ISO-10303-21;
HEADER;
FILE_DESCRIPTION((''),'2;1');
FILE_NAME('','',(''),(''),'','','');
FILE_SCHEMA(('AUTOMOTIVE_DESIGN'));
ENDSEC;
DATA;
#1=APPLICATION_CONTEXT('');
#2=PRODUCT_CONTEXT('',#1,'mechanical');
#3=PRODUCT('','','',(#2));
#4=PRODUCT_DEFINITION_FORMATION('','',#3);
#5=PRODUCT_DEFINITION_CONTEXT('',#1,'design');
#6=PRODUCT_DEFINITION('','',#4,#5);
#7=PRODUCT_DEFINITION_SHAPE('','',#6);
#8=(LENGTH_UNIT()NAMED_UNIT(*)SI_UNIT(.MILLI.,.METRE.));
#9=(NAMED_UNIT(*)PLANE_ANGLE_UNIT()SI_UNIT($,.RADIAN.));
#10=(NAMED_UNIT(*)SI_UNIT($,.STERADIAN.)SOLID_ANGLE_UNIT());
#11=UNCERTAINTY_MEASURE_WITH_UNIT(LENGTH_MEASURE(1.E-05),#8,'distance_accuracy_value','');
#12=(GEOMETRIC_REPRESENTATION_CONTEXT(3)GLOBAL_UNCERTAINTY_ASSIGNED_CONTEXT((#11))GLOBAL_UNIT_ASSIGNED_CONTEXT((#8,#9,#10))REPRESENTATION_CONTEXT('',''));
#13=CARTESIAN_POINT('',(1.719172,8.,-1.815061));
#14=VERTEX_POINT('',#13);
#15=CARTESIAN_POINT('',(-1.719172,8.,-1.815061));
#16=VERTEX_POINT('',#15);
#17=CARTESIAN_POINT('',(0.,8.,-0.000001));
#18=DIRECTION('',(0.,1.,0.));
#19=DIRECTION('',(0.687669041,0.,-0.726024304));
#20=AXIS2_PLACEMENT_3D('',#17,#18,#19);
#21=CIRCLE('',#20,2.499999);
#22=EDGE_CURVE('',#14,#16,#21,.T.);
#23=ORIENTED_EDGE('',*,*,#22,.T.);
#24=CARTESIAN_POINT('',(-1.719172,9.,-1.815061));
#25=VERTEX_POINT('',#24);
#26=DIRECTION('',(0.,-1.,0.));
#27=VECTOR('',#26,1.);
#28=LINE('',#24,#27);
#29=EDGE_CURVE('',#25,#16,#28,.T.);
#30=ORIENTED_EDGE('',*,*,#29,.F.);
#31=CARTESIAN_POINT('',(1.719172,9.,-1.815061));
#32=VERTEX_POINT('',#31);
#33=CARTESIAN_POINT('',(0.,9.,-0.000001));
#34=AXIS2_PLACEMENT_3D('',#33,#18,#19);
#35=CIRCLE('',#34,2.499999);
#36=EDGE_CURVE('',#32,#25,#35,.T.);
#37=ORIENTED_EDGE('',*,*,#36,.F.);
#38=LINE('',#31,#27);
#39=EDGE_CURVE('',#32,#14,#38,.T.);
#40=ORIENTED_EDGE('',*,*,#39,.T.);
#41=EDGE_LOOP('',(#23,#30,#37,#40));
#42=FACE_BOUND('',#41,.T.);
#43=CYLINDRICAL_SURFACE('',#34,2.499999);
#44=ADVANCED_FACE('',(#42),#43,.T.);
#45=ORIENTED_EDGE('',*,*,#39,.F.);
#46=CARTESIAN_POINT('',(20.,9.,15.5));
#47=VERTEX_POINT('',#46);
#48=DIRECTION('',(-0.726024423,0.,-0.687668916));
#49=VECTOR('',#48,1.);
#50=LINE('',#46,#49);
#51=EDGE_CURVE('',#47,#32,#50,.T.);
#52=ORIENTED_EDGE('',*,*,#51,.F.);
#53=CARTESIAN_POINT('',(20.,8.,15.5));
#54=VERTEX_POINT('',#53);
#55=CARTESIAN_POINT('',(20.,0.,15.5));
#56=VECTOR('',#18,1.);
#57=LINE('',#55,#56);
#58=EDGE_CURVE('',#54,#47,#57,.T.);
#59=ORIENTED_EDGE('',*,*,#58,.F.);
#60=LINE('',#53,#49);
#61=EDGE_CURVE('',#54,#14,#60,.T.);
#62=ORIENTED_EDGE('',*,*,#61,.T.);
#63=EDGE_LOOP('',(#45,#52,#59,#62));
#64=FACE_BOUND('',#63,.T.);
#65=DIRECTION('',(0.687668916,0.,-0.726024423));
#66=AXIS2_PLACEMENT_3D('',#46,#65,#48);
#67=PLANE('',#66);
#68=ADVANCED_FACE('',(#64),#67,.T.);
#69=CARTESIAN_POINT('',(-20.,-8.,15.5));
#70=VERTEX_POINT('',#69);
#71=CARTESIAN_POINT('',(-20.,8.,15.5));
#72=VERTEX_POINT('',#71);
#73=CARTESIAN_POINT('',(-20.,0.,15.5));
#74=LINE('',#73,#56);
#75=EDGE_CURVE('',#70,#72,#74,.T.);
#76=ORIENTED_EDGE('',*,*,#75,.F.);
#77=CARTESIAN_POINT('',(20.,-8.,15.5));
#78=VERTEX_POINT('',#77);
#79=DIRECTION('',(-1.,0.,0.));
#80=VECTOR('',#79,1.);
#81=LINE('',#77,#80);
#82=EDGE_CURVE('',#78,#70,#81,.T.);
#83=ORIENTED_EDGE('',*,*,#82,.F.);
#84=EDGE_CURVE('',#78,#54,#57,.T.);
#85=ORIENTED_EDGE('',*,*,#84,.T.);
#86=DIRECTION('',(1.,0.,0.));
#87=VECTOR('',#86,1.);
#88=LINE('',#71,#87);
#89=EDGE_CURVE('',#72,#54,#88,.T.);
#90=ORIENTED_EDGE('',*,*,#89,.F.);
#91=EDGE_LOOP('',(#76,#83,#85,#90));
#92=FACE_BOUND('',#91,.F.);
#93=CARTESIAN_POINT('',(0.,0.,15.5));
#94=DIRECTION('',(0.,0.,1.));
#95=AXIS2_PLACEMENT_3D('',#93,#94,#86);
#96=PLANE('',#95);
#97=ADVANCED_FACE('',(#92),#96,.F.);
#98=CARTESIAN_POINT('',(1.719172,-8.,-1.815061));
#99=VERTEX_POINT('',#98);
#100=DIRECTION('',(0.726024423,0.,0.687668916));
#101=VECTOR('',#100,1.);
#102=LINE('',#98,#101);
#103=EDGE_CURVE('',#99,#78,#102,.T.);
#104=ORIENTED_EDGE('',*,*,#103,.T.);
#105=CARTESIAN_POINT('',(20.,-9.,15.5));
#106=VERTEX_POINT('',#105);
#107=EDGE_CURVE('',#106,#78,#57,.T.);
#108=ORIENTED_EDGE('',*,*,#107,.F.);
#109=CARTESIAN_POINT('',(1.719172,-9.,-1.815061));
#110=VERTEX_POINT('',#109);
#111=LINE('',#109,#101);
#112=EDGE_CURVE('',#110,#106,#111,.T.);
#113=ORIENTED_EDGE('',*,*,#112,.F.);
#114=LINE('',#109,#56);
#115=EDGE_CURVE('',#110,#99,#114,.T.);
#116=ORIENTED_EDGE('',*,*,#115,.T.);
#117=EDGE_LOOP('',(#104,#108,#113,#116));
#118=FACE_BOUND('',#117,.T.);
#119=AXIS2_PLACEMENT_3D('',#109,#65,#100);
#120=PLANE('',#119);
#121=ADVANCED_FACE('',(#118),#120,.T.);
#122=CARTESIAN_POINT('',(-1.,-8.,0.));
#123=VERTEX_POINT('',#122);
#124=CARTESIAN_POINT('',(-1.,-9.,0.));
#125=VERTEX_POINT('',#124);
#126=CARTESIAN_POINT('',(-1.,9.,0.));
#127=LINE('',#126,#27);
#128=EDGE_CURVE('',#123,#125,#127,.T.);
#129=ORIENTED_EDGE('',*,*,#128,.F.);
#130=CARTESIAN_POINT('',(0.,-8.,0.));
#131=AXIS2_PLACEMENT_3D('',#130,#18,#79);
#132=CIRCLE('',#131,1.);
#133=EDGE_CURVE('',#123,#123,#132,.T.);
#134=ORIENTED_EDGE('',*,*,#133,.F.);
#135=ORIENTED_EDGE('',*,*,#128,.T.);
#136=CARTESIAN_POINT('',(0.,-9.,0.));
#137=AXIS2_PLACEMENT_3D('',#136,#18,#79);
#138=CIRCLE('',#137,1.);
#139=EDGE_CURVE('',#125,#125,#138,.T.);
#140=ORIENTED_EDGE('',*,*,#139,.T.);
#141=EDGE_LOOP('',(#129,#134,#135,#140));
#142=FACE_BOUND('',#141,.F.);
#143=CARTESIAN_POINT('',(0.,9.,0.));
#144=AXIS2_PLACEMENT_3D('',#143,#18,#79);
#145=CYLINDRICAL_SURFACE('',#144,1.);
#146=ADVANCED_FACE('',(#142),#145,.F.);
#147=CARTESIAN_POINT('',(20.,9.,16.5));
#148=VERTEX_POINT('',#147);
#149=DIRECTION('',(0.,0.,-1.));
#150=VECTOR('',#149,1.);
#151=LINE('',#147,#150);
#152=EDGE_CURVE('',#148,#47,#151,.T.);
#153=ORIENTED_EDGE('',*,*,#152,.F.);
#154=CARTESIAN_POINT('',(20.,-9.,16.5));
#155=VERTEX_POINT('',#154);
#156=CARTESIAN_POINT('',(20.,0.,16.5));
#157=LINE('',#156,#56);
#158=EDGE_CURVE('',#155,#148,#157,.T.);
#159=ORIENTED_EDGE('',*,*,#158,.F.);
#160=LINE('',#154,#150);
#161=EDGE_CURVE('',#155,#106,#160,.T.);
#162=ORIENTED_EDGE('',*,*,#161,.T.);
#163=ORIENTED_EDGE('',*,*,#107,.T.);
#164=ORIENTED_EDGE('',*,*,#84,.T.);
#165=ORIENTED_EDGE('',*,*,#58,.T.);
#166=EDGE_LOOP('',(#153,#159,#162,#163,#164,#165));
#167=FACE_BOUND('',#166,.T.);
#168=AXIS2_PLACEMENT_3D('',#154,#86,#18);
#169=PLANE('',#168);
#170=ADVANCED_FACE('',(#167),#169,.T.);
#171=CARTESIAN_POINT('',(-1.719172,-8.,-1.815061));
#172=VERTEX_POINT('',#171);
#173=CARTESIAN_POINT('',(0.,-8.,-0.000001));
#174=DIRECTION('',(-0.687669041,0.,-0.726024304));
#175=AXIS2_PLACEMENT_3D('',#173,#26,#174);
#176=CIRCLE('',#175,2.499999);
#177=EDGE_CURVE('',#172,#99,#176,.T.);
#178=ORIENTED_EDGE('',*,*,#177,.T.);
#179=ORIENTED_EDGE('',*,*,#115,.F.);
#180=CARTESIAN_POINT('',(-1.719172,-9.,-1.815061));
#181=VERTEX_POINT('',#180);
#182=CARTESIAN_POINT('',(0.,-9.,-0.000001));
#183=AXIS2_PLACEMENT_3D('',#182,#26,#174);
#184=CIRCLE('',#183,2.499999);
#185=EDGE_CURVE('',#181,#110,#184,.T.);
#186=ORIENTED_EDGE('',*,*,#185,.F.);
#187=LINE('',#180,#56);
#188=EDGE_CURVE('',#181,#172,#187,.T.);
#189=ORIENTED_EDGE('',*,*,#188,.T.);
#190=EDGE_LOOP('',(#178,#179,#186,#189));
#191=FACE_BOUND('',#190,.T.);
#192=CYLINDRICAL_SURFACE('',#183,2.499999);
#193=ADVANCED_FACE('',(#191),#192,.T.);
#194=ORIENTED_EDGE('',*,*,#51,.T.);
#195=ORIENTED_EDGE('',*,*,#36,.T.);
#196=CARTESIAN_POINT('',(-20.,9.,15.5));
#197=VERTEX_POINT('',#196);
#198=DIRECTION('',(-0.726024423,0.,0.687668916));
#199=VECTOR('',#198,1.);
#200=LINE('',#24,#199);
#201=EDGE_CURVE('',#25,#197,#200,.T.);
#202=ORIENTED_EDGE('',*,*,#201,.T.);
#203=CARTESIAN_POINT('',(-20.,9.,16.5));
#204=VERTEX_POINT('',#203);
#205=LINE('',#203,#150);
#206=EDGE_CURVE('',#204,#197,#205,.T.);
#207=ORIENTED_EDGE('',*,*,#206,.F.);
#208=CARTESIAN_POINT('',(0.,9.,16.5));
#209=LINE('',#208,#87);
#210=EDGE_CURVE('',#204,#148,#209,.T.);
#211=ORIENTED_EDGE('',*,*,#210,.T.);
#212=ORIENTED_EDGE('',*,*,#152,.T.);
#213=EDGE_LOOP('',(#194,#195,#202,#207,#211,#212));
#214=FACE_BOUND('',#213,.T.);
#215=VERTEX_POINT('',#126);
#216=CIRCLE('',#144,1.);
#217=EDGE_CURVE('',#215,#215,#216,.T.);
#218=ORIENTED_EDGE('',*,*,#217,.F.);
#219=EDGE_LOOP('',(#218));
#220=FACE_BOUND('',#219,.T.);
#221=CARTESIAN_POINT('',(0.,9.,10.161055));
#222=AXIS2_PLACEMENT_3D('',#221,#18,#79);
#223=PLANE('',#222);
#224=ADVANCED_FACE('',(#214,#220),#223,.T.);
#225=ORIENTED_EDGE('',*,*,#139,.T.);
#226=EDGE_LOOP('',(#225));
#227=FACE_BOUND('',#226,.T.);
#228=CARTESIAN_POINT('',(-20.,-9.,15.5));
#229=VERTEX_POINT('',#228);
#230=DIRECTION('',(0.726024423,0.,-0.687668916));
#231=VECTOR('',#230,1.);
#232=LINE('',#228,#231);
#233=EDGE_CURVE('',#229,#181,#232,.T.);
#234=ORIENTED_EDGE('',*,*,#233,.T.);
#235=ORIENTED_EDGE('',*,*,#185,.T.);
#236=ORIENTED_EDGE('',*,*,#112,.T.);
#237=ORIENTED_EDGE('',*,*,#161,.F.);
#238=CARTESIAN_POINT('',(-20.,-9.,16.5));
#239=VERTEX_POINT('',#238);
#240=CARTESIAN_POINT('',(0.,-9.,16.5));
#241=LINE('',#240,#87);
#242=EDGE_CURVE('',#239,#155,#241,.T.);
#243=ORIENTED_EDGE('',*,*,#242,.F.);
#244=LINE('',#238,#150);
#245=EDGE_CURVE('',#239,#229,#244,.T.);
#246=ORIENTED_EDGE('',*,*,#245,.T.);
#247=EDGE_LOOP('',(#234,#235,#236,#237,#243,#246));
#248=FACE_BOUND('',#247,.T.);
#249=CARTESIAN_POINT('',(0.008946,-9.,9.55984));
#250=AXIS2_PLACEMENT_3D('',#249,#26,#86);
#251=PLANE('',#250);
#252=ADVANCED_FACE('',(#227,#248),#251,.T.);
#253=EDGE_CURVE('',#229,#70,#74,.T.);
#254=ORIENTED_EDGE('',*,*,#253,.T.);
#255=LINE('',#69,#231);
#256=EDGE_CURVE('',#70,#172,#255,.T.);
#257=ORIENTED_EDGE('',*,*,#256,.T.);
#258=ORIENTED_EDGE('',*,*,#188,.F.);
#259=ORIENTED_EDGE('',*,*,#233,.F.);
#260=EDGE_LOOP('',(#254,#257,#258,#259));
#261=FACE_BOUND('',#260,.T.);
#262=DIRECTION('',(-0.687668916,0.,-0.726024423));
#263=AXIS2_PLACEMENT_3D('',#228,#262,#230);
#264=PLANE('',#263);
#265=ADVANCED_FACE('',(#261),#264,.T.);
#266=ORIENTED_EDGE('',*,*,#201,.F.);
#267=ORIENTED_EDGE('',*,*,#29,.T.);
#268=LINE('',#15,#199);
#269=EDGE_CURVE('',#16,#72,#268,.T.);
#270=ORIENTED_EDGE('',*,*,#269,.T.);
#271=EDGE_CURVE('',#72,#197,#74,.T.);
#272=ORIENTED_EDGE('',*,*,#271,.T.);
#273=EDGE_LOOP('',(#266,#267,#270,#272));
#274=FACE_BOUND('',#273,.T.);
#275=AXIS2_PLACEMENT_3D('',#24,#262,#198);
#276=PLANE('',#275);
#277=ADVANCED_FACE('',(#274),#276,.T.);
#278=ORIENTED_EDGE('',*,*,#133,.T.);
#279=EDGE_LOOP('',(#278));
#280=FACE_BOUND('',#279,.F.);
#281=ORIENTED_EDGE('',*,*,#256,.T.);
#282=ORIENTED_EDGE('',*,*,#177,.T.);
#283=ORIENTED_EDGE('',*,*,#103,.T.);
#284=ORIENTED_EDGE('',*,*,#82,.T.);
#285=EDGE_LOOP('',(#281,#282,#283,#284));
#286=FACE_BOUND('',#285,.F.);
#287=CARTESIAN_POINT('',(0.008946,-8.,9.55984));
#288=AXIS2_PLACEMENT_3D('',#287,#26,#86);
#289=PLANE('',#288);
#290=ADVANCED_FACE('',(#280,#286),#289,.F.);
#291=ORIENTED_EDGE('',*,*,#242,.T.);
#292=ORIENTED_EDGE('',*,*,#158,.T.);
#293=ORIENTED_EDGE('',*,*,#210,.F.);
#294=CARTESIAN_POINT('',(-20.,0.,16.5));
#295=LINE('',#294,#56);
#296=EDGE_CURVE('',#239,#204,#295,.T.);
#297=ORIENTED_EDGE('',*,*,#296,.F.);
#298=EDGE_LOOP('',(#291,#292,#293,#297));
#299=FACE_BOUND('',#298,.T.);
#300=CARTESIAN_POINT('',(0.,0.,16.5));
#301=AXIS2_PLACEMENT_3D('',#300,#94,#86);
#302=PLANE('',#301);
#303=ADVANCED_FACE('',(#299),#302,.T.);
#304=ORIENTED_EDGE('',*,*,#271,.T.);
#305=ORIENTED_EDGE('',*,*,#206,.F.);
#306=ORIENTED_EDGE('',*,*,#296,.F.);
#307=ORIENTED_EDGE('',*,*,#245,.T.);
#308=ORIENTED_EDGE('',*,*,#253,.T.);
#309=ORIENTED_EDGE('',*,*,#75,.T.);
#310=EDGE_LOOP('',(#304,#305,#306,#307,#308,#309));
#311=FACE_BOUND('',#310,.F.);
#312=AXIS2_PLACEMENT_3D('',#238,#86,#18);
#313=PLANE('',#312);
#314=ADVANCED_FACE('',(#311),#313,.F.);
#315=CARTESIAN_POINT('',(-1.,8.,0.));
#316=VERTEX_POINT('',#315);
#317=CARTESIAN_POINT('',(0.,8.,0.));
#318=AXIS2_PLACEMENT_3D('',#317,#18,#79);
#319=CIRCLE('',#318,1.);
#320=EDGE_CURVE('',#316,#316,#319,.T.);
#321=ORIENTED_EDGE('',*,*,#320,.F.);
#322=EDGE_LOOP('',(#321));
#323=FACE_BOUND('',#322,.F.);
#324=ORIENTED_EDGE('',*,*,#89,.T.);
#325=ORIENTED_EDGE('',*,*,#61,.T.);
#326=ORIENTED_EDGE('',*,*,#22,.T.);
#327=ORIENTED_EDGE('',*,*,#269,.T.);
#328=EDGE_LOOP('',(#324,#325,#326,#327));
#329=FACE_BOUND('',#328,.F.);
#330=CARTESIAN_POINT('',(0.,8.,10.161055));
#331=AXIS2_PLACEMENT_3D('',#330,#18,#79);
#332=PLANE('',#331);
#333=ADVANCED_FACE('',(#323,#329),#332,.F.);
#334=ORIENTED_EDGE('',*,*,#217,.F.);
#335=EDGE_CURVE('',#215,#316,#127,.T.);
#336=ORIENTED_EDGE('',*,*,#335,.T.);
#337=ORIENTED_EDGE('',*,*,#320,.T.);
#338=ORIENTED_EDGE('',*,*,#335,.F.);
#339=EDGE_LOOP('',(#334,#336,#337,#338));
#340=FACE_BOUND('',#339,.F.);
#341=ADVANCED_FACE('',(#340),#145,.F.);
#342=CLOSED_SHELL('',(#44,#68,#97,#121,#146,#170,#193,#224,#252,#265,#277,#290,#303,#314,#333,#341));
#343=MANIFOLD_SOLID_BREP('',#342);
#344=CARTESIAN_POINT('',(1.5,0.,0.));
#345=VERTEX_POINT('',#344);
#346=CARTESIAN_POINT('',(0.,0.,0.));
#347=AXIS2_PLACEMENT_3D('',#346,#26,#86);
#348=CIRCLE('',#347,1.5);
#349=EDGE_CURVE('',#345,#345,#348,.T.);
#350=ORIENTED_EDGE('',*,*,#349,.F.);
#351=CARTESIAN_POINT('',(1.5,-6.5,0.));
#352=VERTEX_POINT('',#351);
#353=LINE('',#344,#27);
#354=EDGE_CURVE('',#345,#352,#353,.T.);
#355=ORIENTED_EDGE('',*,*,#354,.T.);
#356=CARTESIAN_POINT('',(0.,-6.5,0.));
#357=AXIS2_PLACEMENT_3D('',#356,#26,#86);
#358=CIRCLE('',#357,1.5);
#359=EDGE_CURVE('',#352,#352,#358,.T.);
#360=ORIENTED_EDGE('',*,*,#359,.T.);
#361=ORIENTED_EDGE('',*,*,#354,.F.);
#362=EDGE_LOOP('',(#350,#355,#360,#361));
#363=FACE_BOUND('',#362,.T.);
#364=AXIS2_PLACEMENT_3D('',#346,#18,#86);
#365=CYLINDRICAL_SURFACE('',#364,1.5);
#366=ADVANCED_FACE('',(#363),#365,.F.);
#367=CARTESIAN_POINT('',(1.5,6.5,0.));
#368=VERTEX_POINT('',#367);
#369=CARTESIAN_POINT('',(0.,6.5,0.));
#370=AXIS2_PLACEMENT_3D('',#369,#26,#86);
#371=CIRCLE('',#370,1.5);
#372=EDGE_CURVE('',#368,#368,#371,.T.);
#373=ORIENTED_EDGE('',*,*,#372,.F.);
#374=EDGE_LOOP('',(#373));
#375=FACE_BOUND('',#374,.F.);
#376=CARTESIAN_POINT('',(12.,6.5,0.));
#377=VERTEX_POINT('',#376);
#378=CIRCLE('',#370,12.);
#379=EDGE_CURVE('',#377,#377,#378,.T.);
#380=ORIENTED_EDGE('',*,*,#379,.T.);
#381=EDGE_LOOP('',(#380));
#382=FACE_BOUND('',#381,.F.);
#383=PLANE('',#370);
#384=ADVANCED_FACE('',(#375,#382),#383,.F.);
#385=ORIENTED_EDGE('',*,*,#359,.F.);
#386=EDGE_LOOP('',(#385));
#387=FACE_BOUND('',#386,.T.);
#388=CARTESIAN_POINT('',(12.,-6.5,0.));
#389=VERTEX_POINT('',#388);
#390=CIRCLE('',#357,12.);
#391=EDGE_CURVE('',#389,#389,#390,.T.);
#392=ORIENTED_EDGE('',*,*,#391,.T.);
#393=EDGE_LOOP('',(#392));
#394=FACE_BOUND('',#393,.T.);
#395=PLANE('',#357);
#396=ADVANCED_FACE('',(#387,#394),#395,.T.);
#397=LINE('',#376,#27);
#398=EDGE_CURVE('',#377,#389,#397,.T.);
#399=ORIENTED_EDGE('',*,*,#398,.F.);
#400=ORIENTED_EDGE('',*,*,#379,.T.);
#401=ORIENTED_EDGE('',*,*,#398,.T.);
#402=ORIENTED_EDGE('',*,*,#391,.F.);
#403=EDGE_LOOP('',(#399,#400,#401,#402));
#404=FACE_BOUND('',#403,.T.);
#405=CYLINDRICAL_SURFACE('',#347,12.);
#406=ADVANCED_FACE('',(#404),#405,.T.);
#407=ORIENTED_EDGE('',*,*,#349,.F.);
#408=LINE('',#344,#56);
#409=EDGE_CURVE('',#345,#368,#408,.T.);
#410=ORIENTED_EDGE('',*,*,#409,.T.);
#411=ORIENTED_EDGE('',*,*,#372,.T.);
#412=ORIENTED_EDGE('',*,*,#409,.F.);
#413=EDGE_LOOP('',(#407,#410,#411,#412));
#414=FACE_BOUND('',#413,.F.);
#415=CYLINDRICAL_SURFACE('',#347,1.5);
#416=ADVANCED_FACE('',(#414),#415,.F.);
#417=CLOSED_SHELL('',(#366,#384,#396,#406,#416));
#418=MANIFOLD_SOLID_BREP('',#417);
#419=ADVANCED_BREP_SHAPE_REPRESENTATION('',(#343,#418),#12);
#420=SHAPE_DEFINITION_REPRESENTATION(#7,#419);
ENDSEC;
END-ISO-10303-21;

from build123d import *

# Parameters (mm, degrees)
F0_R          = 12
F0_R_2        = 1.5
F1_DEPTH      = 6.5
F1_DEPTH_BACK = 6.5
F3_W          = 40
F3_H          = 18
F4_DEPTH      = 1
F6_DEPTH      = 1
F8_DEPTH      = 1
F9_R          = 1
F10_DEPTH     = 18.001


with BuildPart() as f1:
    # F0 (on Front) → F1 (new body, two sides)
    with BuildSketch(Plane.XZ) as f1_sk:
        Circle(F0_R)
        Circle(F0_R_2, mode=Mode.SUBTRACT)
    extrude(amount=F1_DEPTH)
    extrude(f1_sk.sketch, amount=-F1_DEPTH_BACK)


with BuildPart() as f4:
    # F3 (on offset) → F4 (new body)
    with BuildSketch(Plane.XY.offset(16.5)):
        Rectangle(F3_W, F3_H)
    extrude(amount=-F4_DEPTH)

    # F5 (on face) → F6 (join)
    with BuildSketch(Plane.XZ.offset(9)):
        with BuildLine():
            ThreePointArc((-1.719172, -1.815061), (-0.987945, 2.296512), (2.5, 0))
            ThreePointArc((2.5, 0), (2.296512, -0.987945), (1.719172, -1.815061))
            Line((1.719172, -1.815061), (20, 15.5))
            Line((20, 15.5), (-20, 15.5))
            Line((-20, 15.5), (-1.719172, -1.815061))
        make_face()
        with BuildLine():
            ThreePointArc((1.719172, -1.815061), (2.296512, -0.987945), (2.5, 0))
            ThreePointArc((2.5, 0), (-0.987945, 2.296512), (-1.719172, -1.815061))
            ThreePointArc((-1.719172, -1.815061), (0, -2.5), (1.719172, -1.815061))
        make_face()
    extrude(amount=-F6_DEPTH)

    # F7 (on face) → F8 (join)
    with BuildSketch(Plane(origin=(0, 9, 0), x_dir=(-1, 0, 0), z_dir=(0, 1, 0))):
        with BuildLine():
            ThreePointArc((-1.719172, -1.815061), (0, -2.5), (1.719172, -1.815061))
            Line((1.719172, -1.815061), (20, 15.5))
            Line((20, 15.5), (-20, 15.5))
            Line((-20, 15.5), (-1.719172, -1.815061))
        make_face()
    extrude(amount=-F8_DEPTH)

    # F9 (on face) → F10 (cut, through all)
    with BuildSketch(Plane(origin=(0, 9, 0), x_dir=(-1, 0, 0), z_dir=(0, 1, 0))):
        Circle(F9_R)
    extrude(amount=-F10_DEPTH, mode=Mode.SUBTRACT)


solid = Compound([f1.part, f4.part])
